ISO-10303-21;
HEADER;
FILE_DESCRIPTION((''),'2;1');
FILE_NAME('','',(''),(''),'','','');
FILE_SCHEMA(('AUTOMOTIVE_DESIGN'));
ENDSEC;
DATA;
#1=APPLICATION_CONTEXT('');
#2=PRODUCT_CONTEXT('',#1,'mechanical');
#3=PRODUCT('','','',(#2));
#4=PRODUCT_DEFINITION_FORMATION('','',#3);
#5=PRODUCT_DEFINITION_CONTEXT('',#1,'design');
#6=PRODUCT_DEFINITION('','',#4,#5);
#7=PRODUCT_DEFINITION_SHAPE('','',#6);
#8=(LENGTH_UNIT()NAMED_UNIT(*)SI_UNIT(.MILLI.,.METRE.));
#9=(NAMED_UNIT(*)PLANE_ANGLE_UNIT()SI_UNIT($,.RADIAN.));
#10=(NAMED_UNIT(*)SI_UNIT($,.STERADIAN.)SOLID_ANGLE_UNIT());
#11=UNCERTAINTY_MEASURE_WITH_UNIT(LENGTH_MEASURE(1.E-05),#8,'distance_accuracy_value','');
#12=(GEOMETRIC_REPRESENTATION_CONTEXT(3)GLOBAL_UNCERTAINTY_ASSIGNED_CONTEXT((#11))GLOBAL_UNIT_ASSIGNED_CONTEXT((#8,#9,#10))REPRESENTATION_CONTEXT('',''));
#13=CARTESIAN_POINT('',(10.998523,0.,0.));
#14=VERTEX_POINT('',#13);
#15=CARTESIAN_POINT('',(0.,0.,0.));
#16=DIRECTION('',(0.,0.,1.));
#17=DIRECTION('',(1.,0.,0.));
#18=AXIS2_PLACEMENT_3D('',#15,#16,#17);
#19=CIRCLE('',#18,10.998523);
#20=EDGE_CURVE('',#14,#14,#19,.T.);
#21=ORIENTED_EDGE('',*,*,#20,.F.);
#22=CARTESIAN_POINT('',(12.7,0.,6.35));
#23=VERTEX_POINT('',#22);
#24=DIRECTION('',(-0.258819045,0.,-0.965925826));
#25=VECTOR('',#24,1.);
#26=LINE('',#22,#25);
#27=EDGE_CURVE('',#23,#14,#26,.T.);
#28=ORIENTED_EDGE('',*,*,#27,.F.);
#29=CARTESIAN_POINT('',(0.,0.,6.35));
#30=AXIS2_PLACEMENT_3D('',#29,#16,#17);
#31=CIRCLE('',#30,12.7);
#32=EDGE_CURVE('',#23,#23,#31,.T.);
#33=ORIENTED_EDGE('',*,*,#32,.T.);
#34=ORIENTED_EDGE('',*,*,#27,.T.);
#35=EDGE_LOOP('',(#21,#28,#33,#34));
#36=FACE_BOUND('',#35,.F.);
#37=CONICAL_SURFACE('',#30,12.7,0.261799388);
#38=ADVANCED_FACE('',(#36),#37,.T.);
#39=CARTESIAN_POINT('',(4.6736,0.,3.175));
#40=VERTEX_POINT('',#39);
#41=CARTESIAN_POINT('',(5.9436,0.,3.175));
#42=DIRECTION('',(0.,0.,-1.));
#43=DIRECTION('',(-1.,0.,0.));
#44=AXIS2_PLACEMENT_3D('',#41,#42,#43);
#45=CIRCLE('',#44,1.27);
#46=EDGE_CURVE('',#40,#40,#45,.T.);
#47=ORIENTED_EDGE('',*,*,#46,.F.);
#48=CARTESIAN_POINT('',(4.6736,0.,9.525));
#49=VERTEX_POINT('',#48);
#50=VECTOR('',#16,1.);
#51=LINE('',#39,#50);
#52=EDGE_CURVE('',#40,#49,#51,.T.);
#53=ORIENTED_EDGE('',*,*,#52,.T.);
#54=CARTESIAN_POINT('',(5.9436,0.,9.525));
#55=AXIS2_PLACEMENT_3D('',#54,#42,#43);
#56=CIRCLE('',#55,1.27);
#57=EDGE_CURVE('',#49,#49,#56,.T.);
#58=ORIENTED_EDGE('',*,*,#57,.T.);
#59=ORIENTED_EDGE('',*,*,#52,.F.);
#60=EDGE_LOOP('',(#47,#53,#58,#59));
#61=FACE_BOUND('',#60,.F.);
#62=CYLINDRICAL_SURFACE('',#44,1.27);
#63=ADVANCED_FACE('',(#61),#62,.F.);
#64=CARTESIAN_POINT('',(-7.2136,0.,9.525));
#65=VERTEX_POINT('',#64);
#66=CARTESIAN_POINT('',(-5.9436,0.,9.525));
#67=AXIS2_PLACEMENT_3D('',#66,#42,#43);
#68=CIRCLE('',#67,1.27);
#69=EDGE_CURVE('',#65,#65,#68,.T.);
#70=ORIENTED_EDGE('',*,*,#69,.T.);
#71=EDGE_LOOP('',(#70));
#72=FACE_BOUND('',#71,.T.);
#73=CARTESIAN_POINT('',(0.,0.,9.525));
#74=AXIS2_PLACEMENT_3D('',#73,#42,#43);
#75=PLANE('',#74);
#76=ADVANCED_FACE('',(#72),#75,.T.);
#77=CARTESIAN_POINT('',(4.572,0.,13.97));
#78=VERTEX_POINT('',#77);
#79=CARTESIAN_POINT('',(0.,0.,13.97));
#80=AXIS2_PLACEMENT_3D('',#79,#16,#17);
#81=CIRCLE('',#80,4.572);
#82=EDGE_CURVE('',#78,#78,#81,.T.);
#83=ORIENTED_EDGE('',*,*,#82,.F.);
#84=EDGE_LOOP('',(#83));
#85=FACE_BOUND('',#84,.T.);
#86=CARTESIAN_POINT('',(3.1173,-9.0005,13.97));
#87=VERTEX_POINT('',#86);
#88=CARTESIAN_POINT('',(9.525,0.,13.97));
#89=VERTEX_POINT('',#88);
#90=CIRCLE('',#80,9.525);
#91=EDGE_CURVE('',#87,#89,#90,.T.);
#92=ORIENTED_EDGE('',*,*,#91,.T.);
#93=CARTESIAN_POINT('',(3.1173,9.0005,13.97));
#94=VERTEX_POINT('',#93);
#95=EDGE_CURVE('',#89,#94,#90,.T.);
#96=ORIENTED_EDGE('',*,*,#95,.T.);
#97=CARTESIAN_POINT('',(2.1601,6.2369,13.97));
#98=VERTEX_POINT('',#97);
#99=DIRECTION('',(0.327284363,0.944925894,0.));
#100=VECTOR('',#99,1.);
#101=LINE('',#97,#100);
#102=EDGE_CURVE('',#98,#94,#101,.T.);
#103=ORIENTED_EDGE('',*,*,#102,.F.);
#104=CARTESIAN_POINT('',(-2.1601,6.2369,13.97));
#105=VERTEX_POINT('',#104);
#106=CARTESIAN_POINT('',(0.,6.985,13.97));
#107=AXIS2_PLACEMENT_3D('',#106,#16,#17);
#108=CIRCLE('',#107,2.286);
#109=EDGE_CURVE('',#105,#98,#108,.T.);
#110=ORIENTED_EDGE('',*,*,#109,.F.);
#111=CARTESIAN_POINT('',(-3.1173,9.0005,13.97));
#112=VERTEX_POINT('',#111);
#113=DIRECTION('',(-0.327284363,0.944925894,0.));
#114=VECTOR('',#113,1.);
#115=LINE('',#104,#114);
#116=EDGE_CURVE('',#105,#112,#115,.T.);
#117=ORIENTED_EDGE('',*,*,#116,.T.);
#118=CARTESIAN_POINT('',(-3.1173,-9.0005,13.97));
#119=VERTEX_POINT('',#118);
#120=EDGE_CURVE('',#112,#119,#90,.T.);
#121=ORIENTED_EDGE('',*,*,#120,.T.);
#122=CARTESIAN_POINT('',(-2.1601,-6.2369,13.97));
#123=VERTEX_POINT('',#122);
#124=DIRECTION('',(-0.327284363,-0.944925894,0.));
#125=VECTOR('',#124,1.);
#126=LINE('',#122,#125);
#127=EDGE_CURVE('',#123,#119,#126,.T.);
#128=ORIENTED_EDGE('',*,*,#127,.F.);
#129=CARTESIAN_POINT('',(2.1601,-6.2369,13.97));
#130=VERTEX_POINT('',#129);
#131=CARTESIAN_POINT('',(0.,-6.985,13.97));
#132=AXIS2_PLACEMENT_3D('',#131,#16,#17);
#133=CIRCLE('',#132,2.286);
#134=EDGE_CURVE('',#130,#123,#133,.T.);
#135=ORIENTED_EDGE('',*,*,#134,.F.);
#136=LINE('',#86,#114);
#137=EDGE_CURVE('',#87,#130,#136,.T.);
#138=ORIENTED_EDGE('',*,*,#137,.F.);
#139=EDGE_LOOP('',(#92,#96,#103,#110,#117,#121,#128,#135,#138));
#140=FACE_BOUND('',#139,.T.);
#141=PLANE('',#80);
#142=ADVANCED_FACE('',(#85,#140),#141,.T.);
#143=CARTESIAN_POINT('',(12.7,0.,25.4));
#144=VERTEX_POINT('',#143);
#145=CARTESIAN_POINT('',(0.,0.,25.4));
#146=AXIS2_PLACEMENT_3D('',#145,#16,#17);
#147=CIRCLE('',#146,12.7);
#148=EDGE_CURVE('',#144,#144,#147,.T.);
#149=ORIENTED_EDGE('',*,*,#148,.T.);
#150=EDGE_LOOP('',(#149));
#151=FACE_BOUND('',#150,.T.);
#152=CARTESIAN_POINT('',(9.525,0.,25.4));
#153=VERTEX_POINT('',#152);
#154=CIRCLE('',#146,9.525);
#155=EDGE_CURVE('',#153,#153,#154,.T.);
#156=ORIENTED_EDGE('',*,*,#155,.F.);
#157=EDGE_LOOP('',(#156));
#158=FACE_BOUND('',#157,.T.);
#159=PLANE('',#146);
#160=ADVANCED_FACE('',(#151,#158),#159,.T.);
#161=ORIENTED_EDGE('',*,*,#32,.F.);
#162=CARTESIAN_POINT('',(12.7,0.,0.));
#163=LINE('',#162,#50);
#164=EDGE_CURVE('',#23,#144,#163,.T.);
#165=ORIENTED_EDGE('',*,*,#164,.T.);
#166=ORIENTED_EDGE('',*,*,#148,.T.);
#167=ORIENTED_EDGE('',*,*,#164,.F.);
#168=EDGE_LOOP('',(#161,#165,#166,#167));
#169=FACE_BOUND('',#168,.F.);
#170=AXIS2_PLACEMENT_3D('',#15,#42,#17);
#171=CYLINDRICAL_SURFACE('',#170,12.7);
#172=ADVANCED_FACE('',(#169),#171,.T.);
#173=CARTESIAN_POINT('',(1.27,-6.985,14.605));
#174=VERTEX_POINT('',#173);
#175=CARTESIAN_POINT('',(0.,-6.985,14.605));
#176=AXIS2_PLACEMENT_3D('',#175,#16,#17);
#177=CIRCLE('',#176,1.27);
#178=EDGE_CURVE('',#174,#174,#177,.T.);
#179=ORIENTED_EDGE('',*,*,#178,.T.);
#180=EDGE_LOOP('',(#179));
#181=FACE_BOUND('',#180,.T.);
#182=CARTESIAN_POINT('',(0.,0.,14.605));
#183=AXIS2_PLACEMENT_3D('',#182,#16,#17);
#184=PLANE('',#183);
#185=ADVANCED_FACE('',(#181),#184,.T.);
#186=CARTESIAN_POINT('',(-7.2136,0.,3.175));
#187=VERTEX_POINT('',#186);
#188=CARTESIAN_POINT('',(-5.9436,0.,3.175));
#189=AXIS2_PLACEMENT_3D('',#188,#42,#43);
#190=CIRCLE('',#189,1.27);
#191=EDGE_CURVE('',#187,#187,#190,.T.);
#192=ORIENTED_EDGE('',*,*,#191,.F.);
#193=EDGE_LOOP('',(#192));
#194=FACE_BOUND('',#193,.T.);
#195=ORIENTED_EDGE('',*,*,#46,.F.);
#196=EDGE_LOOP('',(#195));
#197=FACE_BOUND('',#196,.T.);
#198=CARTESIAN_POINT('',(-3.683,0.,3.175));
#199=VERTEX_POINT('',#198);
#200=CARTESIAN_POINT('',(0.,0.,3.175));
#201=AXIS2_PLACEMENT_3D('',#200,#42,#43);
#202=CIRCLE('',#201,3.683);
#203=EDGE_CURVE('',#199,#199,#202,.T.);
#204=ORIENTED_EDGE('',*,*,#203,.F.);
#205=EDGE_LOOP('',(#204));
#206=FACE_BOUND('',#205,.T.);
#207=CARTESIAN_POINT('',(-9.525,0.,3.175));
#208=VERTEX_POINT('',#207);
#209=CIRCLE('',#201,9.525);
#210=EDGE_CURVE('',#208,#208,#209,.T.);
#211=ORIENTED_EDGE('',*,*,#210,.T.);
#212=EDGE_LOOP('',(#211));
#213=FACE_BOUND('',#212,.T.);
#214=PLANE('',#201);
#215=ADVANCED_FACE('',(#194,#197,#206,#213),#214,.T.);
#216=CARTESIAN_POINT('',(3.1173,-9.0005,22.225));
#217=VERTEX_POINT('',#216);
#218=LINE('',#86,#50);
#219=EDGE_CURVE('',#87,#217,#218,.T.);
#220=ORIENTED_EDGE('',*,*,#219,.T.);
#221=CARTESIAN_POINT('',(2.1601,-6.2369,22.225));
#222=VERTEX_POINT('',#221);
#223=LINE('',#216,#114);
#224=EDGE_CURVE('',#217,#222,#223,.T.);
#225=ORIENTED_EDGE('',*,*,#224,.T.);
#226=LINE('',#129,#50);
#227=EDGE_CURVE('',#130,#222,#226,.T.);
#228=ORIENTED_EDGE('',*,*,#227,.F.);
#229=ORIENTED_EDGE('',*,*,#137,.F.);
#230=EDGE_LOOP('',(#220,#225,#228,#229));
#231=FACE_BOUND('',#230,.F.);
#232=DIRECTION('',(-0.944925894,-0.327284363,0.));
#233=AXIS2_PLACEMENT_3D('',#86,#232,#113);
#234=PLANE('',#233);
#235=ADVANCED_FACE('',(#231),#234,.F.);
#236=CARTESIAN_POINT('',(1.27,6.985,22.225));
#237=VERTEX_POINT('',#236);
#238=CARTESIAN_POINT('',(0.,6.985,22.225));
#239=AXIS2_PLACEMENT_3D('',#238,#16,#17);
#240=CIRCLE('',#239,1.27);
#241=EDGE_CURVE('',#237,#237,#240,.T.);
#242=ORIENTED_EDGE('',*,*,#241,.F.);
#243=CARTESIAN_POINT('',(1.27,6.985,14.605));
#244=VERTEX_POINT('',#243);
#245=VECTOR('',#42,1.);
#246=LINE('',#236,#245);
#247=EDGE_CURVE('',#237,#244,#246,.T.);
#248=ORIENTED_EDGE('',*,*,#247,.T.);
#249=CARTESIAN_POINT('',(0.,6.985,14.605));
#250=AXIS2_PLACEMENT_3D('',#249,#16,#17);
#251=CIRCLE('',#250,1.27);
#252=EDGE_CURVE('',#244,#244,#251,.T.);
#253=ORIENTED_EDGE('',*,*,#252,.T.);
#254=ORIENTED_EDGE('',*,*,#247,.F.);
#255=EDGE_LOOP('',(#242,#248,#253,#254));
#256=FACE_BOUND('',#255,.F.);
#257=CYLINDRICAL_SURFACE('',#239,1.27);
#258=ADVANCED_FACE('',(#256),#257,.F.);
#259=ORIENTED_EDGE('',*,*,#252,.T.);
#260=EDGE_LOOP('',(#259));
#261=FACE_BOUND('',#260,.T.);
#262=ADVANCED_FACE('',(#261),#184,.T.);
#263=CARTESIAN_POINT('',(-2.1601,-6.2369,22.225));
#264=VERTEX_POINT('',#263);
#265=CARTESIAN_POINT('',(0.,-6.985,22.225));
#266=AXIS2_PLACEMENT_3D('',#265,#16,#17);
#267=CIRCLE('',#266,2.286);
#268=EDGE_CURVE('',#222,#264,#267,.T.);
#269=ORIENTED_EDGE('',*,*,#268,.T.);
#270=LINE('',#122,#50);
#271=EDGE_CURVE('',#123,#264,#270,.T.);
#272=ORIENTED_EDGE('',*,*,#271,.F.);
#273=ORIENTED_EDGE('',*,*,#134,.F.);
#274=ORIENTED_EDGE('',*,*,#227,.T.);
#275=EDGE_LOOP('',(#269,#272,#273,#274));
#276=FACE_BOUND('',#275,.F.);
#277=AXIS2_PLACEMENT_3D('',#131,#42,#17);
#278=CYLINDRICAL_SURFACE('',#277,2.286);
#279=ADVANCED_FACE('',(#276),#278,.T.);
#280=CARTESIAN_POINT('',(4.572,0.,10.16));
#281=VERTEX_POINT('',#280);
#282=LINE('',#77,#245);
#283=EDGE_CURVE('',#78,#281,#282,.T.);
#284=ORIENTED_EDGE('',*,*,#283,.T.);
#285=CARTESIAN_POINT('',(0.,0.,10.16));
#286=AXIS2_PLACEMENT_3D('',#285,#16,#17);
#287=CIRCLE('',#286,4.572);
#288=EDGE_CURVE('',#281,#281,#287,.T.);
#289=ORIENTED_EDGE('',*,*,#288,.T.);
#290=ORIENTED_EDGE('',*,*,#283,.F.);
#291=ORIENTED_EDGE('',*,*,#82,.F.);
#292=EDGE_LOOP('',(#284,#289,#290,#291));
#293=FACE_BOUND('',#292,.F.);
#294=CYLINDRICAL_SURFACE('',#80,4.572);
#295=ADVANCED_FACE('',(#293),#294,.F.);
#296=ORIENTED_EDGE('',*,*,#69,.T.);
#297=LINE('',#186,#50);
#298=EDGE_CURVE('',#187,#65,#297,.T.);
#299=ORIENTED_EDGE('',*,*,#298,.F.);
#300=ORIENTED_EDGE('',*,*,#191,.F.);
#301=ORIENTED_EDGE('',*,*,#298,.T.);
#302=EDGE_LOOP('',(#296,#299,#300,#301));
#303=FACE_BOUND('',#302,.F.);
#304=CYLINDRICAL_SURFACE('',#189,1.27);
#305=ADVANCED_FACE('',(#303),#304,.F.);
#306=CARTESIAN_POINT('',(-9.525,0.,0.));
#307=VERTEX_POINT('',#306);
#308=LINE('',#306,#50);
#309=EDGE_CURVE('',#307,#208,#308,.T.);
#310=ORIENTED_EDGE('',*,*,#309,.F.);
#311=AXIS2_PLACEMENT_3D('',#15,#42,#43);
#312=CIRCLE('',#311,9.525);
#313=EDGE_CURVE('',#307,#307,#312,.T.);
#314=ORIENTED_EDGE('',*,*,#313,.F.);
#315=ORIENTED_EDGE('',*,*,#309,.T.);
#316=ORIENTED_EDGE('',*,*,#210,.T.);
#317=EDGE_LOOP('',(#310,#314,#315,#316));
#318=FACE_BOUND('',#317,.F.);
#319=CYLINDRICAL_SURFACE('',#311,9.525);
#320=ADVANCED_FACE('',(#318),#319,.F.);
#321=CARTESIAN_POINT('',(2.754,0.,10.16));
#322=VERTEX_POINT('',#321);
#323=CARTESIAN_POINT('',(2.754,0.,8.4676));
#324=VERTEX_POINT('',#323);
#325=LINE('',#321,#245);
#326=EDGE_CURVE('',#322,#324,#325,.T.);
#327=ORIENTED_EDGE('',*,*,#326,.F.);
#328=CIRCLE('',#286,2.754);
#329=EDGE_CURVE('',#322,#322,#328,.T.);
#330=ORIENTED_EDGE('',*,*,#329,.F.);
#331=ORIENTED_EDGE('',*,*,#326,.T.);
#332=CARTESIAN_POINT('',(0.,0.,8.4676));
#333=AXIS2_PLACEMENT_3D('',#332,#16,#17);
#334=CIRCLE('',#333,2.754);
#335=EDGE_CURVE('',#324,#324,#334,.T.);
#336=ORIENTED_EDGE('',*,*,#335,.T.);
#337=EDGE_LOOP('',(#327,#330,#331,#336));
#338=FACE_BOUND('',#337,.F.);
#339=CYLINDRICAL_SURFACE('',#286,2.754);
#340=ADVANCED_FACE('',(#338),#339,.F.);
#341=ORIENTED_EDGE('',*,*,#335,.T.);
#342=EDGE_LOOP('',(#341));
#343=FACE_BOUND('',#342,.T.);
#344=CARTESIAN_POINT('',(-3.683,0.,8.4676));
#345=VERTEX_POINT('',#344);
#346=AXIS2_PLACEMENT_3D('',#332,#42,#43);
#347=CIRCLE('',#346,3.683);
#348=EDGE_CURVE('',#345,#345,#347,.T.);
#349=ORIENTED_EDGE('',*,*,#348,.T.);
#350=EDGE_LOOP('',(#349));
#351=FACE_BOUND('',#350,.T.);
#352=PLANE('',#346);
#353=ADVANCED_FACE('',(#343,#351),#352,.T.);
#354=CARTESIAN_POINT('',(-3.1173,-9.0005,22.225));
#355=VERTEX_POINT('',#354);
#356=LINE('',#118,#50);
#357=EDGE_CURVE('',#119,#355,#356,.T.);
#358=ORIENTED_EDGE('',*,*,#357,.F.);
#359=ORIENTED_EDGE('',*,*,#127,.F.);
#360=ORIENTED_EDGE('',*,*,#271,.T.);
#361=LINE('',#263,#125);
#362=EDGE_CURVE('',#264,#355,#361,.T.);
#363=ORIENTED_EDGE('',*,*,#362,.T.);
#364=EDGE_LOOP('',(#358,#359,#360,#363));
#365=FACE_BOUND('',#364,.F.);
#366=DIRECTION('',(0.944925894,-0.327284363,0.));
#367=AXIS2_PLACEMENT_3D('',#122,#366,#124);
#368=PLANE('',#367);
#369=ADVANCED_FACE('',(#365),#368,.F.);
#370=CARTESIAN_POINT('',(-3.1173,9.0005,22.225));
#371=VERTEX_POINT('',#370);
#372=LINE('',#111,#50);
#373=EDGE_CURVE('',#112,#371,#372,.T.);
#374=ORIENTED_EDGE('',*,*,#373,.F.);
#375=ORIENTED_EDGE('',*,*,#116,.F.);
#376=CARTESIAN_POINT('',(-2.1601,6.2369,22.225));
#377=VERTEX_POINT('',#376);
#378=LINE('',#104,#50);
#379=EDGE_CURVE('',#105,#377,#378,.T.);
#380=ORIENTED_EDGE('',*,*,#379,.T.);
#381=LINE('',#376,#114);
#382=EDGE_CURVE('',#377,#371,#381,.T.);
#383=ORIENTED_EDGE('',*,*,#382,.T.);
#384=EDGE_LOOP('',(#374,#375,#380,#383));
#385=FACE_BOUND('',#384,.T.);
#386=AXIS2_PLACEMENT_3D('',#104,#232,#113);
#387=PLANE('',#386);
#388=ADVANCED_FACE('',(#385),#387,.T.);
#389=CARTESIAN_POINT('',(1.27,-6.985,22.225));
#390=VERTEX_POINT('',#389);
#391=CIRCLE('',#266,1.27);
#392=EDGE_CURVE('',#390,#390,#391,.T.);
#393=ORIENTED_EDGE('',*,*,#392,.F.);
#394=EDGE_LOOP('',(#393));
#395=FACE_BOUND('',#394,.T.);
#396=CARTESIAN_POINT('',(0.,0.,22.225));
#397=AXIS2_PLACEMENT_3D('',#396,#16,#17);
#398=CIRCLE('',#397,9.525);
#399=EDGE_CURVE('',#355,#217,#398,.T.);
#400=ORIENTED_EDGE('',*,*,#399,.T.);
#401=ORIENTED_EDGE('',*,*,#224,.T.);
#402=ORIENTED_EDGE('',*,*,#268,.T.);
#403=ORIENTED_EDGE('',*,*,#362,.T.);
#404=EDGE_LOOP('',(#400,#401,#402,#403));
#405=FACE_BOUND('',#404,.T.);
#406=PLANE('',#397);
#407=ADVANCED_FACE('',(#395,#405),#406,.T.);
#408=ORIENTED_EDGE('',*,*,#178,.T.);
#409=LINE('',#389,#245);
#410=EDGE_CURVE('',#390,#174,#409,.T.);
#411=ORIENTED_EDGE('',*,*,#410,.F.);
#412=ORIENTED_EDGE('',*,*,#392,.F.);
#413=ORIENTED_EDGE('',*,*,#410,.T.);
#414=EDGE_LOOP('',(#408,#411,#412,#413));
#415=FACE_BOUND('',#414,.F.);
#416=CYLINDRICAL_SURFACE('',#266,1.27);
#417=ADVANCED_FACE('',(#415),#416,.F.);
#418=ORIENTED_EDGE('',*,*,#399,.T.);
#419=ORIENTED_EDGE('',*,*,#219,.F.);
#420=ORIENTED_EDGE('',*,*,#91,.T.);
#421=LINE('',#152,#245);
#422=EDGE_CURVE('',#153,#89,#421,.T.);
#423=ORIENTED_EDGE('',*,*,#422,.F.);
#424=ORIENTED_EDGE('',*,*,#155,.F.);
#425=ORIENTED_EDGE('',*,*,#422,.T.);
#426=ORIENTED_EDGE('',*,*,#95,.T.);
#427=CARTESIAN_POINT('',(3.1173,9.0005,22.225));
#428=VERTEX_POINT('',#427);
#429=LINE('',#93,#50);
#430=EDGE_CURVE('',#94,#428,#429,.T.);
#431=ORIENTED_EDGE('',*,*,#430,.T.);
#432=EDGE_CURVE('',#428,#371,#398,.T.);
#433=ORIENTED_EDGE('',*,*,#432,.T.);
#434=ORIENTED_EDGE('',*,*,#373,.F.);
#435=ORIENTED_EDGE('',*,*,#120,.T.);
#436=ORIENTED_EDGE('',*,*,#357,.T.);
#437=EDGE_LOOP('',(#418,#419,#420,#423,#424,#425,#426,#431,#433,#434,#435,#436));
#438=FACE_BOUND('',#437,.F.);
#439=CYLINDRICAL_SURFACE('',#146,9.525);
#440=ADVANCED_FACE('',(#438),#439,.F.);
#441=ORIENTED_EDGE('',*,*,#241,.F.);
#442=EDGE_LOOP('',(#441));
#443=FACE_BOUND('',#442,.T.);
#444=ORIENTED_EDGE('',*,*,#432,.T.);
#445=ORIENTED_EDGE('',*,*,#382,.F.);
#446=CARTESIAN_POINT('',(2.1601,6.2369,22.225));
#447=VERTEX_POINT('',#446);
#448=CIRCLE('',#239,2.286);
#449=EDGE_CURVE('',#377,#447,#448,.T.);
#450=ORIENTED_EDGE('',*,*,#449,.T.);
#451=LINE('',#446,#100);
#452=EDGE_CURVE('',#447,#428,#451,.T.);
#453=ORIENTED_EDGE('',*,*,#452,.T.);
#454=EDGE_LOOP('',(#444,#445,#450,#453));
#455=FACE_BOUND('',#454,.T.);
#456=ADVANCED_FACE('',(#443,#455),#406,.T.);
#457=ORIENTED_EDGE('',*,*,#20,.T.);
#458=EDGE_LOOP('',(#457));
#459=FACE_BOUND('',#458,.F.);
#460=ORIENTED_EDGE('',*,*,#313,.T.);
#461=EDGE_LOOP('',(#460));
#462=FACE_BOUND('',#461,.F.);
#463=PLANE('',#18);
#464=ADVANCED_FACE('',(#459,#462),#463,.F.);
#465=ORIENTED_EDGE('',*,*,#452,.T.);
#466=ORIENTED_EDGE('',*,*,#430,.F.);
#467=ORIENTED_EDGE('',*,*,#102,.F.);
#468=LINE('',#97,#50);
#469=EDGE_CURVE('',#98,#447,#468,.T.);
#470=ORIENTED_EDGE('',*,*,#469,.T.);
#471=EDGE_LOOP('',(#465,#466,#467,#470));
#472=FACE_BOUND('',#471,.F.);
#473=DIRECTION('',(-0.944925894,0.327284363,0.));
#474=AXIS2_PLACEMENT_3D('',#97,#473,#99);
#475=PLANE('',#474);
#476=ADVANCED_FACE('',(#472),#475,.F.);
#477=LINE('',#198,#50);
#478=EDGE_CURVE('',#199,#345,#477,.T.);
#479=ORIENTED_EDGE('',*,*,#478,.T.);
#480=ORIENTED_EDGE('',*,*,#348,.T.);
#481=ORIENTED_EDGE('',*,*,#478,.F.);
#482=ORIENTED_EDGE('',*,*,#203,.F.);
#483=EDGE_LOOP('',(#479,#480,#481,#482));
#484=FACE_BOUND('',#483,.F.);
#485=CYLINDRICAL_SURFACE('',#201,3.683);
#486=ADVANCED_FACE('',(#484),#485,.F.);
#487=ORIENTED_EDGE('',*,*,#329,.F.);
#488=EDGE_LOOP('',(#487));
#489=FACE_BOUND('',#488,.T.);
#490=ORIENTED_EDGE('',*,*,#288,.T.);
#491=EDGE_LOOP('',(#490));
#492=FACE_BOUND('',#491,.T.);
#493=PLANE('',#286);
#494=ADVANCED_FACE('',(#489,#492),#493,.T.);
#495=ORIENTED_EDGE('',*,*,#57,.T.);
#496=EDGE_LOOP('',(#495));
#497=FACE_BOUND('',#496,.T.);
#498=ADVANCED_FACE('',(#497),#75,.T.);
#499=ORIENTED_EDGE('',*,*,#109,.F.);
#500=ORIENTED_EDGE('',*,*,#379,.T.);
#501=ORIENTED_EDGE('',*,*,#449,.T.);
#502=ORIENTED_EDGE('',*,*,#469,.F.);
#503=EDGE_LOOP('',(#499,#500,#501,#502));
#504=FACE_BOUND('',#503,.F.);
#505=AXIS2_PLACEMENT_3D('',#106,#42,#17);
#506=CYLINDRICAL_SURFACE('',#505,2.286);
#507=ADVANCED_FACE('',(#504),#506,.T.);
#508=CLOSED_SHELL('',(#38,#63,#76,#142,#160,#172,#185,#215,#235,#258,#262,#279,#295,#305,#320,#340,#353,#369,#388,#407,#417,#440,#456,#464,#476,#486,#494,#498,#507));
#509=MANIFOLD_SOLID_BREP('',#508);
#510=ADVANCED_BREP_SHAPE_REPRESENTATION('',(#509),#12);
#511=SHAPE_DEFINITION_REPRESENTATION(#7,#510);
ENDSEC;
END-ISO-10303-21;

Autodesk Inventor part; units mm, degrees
ref_plane "YZ Plane" through (0, 0, 0) normal (1, 0, 0) x (0, 1, 0)
ref_plane "XZ Plane" through (0, 0, 0) normal (0, 1, 0) x (-1, 0, 0)
ref_plane "XY Plane" through (0, 0, 0) normal (0, 0, 1) x (1, 0, 0)
sketch "Sketch1" plane through (0, 0, 0) normal (0, 0, 1) x (1, 0, 0)
  circle A0 centre (0, 0) radius 12.7
  dimension "d0" = 25.4
extrude "Extrusion1" add sketch "Sketch1" along normal blind 25.4
sketch "Sketch3" plane through (0, 0, 0) normal (0, 0, -1) x (-1, 0, 0)
  circle A0 centre (0, 0) radius 9.525
  dimension "d6" = 19.05
extrude "Extrusion3" cut sketch "Sketch3" against normal blind 3.175
sketch "Sketch4" plane through (0, 0, 3.175) normal (0, 0, -1) x (-1, 0, 0)
  circle A0 centre (0, 0) radius 3.683
  circle A1 centre (0, 0) radius 9.525 projected
  arc A2 (-3.175, 8.9803) -> (3.175, 8.9803) centre (0, 0) ccw projected
  dimension "d40" = 7.366
extrude "Extrusion4" cut sketch "Sketch4" against normal blind 5.2926 contours A0
sketch "Sketch5" plane through (0, 0, 25.4) normal (0, 0, 1) x (1, 0, 0)
  circle A0 centre (0, 0) radius 9.525
  dimension "d13" = 19.05
extrude "Extrusion5" cut sketch "Sketch5" against normal blind 11.43
sketch "Sketch7" plane through (0, 0, 13.97) normal (0, 0, 1) x (1, 0, 0)
  circle A0 centre (0, 0) radius 3.683 projected
  circle A1 centre (-4.7625, 0) radius 3.429 projected
  circle A2 centre (-4.7625, 0) radius 1.6433
  circle A3 centre (0, 0) radius 4.572
  dimension "d47" = 9.144
extrude "Extrusion8" cut sketch "Sketch7" against normal blind 3.81 contours A0 A1 | A0 A1 A3 | A1 A0 A2 | A0 A2 A3 A1 | A1 A3 A2 A0 | A2 A0 | A0 A2 A3
sketch "Sketch8" plane through (0, 0, 10.16) normal (0, 0, 1) x (1, 0, 0)
  circle A0 centre (0, 0) radius 2.754
extrude "Extrusion9" cut sketch "Sketch8" against normal through all
sketch "Sketch9" plane through (0, 0, 13.97) normal (0, 0, 1) x (1, 0, 0)
  circle A0 centre (0, -6.985) radius 2.286 projected
  circle A1 centre (0, 6.985) radius 2.286 projected
  circle A2 centre (0, 0) radius 9.525 projected
  line L0 (-2.1601, -6.2369) -> (-3.1173, -9.0005)
  line L1 (-2.1601, 6.2369) -> (-3.1173, 9.0005)
  line L2 (3.1173, -9.0005) -> (2.1601, -6.2369)
  line L3 (2.1601, 6.2369) -> (3.1173, 9.0005)
extrude "Extrusion10" add sketch "Sketch9" along normal blind 8.255 contours A0 | A0 L2 A2 L0 | A2 L3 A1 L1 | A1
sketch "Sketch10" plane through (0, 0, 22.225) normal (0, 0, 1) x (1, 0, 0)
  circle A0 centre (0, -6.985) radius 1.27
  circle A1 centre (0, 6.985) radius 1.27
  circle A2 centre (0, -6.985) radius 2.286 projected
  circle A3 centre (0, 6.985) radius 2.286 projected
  point P0 (0, 0)
  dimension "d28" = 2.54
  dimension "d29" = 2.54
extrude "Extrusion11" cut sketch "Sketch10" against normal blind 7.62 contours A0 | A1
chamfer "Chamfer1" distance 6.35 angle 15 1 edges at (-12.7, 0, 0) measured on face at (12.6588, -1.0219, 16.9333)
sketch "Sketch12" plane through (0, 0, 3.175) normal (0, 0, -1) x (-1, 0, 0)
  circle A0 centre (5.9436, 0) radius 1.27
  circle A1 centre (-5.9436, 0) radius 1.27
  point P0 (0, 0)
  dimension "d41" = 2.54
  dimension "d42" = 2.54
  dimension "d43" = 5.9436
  dimension "d44" = 5.9436
extrude "Extrusion13" cut sketch "Sketch12" against normal blind 6.35
properties part number "Cap no LED"
